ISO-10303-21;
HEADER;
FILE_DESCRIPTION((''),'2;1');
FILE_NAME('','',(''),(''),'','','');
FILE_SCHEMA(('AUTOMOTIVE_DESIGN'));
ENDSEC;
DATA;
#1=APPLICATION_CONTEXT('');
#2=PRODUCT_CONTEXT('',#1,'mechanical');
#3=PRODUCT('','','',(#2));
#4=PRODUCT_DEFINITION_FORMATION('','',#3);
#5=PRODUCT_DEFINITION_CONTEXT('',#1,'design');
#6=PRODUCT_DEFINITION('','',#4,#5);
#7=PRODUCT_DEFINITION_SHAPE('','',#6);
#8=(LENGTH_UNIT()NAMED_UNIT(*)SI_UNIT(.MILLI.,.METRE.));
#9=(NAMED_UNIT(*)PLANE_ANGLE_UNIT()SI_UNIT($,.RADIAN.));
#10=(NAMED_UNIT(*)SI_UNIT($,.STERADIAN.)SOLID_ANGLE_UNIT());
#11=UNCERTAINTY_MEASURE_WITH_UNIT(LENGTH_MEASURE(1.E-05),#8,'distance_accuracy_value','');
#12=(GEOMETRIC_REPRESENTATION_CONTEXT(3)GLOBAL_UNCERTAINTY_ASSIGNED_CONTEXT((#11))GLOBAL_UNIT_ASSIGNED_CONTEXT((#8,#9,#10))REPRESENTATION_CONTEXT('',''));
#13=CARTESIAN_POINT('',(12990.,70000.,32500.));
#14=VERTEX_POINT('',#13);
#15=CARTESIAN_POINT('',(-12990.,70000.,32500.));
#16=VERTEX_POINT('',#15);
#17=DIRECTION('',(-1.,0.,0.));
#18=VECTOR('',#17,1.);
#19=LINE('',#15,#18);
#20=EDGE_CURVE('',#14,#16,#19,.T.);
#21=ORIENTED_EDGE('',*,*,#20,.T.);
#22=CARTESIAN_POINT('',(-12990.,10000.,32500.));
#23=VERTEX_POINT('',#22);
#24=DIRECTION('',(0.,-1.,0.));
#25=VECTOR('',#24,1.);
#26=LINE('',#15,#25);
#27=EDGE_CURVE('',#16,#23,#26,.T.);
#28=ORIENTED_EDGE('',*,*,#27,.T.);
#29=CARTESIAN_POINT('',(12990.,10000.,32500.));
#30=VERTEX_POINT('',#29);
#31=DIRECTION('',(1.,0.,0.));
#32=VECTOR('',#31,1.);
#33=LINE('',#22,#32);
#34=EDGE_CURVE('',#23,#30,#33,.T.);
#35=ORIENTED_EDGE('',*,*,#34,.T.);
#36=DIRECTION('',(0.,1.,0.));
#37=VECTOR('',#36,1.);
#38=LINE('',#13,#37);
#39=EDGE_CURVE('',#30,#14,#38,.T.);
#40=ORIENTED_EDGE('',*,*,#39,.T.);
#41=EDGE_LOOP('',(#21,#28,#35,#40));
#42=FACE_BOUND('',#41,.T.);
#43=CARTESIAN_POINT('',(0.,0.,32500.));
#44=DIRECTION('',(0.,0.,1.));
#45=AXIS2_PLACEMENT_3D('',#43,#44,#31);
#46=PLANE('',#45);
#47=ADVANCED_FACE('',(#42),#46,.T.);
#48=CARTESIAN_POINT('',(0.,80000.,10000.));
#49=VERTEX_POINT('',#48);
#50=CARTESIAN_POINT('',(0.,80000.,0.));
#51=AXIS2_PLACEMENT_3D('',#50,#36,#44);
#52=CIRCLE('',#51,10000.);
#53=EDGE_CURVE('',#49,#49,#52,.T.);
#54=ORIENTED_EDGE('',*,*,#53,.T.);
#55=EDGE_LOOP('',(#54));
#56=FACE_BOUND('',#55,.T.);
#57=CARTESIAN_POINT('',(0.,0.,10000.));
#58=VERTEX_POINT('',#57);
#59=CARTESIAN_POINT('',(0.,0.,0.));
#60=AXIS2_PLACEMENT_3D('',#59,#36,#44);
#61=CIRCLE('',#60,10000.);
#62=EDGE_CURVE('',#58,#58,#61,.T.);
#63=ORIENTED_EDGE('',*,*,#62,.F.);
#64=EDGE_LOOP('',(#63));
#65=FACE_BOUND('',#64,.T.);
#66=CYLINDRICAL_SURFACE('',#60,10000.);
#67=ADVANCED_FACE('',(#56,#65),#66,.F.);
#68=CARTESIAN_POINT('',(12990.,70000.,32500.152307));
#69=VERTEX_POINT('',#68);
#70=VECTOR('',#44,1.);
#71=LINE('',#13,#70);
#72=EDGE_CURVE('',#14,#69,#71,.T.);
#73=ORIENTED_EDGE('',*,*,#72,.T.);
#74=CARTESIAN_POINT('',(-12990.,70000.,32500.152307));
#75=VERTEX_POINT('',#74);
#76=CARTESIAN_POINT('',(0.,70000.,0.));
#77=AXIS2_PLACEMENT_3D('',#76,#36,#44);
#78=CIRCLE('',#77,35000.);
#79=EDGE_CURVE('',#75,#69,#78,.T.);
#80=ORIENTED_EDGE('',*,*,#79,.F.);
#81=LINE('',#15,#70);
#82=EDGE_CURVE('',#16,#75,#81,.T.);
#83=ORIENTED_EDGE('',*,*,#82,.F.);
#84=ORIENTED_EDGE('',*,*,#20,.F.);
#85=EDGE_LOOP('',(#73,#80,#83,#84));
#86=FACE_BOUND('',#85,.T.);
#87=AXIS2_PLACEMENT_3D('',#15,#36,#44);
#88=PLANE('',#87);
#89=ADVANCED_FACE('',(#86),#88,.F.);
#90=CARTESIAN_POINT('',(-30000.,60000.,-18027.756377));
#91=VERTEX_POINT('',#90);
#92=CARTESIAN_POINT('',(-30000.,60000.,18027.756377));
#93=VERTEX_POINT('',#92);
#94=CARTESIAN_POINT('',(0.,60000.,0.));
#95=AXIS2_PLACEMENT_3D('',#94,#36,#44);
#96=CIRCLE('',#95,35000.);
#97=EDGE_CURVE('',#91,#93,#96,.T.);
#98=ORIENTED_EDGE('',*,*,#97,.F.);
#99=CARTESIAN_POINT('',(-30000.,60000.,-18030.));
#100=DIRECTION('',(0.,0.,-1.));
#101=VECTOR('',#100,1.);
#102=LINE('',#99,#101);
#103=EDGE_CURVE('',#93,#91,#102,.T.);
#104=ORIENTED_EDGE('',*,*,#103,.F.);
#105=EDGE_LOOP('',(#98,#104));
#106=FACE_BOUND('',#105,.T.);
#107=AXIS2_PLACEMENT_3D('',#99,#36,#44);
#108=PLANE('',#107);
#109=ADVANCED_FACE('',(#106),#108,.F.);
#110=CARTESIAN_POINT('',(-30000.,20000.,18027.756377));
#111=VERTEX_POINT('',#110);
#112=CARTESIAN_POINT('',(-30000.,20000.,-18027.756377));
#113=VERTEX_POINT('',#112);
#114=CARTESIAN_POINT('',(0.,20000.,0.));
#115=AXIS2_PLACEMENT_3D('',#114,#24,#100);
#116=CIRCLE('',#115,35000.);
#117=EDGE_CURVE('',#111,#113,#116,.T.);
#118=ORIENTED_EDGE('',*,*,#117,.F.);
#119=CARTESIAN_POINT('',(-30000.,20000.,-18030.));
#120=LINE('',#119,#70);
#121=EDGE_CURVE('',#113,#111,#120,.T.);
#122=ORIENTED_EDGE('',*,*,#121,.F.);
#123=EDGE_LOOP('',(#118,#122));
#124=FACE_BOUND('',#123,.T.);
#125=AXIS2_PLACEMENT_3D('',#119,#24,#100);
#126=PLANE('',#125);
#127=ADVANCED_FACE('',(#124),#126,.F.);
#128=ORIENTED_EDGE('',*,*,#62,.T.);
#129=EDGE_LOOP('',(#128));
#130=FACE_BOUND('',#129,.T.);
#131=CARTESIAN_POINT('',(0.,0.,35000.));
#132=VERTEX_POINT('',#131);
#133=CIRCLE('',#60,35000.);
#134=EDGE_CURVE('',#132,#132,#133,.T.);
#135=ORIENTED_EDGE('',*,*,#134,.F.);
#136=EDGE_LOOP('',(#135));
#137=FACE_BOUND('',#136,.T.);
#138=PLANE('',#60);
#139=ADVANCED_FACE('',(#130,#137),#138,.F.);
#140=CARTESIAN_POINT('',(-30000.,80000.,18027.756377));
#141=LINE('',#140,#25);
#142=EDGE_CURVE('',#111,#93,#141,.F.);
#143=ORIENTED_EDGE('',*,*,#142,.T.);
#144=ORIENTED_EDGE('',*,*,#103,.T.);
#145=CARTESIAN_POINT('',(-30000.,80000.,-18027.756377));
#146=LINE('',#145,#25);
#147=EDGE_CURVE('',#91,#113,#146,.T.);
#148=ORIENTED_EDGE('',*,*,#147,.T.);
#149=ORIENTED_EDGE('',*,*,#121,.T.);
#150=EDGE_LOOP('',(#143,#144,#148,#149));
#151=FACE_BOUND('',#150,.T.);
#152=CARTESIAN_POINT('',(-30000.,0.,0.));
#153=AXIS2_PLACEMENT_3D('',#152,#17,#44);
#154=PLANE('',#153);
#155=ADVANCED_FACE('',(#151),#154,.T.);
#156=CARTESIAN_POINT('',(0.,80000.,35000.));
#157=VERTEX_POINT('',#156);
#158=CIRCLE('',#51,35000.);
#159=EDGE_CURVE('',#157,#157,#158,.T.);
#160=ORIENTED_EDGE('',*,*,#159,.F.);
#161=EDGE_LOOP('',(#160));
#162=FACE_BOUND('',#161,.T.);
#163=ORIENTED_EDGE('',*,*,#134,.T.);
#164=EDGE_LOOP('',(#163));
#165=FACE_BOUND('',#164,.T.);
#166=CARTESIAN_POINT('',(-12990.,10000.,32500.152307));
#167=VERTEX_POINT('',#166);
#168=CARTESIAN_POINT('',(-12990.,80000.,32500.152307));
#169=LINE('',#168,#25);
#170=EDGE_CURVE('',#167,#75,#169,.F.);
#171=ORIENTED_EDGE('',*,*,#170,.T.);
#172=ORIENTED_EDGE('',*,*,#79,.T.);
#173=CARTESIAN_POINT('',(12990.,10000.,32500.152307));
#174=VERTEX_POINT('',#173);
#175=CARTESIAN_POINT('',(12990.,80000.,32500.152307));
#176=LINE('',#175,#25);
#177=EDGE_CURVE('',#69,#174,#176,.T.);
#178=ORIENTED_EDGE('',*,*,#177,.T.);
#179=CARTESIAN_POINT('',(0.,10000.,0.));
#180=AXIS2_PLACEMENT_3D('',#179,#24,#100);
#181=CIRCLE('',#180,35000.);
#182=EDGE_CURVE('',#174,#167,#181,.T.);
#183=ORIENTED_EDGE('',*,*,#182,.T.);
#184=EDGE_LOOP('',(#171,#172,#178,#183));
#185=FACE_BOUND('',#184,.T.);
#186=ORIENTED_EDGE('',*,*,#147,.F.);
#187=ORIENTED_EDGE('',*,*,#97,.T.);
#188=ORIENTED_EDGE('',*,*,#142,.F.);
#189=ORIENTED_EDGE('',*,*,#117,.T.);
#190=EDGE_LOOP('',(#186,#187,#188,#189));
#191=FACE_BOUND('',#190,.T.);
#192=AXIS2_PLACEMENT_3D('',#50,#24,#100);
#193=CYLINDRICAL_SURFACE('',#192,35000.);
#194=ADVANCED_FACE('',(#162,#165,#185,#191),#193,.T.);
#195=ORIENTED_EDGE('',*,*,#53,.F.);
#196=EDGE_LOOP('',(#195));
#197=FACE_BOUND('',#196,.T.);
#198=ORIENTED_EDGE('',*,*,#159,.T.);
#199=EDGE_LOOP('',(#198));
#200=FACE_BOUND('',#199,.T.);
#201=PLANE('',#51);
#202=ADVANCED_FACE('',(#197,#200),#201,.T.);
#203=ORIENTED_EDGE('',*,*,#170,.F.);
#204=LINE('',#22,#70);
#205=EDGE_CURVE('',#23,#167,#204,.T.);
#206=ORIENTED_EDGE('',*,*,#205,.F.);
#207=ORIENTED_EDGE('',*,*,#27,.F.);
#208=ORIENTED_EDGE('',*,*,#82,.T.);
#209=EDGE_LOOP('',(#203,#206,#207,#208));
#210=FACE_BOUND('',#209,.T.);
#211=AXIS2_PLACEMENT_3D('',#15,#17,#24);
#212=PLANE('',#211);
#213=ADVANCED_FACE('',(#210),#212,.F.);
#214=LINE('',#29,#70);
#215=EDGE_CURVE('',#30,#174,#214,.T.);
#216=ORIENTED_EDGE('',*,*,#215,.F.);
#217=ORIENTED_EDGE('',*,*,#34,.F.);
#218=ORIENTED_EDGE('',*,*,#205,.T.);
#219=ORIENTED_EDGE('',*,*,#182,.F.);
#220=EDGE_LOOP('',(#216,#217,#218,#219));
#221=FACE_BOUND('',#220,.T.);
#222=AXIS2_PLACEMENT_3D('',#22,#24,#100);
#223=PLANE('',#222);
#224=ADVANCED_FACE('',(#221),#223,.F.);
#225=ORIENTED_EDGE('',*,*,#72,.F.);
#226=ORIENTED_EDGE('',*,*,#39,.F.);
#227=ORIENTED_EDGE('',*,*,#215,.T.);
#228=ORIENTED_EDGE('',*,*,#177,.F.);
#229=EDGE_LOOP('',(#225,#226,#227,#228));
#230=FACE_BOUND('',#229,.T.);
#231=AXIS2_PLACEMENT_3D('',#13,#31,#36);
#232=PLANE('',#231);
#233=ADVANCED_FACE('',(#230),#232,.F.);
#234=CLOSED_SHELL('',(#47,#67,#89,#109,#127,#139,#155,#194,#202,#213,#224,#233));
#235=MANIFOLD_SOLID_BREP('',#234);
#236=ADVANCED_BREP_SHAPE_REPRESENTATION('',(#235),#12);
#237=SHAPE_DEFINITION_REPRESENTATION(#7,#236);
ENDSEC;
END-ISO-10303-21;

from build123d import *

# Parameters (mm, degrees)
SKETCH1_R           = 35000
BOSS_EXTRUDE1_DEPTH = 80000
SKETCH2_R           = 10000
CUT_EXTRUDE1_DEPTH  = 94075.438611134
SKETCH3_W           = 25980
SKETCH3_H           = 60000
CUT_EXTRUDE2_DEPTH  = 2500
SKETCH4_W           = 36060
SKETCH4_H           = 40000
CUT_EXTRUDE3_DEPTH  = 5000


with BuildPart() as part:
    # Sketch1 → Boss-Extrude1 (new body)
    with BuildSketch(Plane(origin=(0, 0, 0), x_dir=(1, 0, 0), z_dir=(0, 1, 0))):
        Circle(SKETCH1_R)
    extrude(amount=BOSS_EXTRUDE1_DEPTH)

    # Sketch2 → Cut-Extrude1 (cut, through all)
    with BuildSketch(Plane(origin=(0, 80000, 0), x_dir=(1, 0, 0), z_dir=(0, 1, 0))):
        Circle(SKETCH2_R)
    extrude(amount=-CUT_EXTRUDE1_DEPTH, mode=Mode.SUBTRACT)

    # Sketch3 → Cut-Extrude2 (cut)
    with BuildSketch(Plane.XY.offset(35000)):
        with Locations((0, 40000)):
            Rectangle(SKETCH3_W, SKETCH3_H)
    extrude(amount=-CUT_EXTRUDE2_DEPTH, mode=Mode.SUBTRACT)

    # Sketch4 → Cut-Extrude3 (cut)
    with BuildSketch(Plane.ZY.offset(35000)):
        with Locations((0, 40000)):
            Rectangle(SKETCH4_W, SKETCH4_H)
    extrude(amount=-CUT_EXTRUDE3_DEPTH, mode=Mode.SUBTRACT)


solid = part.part
